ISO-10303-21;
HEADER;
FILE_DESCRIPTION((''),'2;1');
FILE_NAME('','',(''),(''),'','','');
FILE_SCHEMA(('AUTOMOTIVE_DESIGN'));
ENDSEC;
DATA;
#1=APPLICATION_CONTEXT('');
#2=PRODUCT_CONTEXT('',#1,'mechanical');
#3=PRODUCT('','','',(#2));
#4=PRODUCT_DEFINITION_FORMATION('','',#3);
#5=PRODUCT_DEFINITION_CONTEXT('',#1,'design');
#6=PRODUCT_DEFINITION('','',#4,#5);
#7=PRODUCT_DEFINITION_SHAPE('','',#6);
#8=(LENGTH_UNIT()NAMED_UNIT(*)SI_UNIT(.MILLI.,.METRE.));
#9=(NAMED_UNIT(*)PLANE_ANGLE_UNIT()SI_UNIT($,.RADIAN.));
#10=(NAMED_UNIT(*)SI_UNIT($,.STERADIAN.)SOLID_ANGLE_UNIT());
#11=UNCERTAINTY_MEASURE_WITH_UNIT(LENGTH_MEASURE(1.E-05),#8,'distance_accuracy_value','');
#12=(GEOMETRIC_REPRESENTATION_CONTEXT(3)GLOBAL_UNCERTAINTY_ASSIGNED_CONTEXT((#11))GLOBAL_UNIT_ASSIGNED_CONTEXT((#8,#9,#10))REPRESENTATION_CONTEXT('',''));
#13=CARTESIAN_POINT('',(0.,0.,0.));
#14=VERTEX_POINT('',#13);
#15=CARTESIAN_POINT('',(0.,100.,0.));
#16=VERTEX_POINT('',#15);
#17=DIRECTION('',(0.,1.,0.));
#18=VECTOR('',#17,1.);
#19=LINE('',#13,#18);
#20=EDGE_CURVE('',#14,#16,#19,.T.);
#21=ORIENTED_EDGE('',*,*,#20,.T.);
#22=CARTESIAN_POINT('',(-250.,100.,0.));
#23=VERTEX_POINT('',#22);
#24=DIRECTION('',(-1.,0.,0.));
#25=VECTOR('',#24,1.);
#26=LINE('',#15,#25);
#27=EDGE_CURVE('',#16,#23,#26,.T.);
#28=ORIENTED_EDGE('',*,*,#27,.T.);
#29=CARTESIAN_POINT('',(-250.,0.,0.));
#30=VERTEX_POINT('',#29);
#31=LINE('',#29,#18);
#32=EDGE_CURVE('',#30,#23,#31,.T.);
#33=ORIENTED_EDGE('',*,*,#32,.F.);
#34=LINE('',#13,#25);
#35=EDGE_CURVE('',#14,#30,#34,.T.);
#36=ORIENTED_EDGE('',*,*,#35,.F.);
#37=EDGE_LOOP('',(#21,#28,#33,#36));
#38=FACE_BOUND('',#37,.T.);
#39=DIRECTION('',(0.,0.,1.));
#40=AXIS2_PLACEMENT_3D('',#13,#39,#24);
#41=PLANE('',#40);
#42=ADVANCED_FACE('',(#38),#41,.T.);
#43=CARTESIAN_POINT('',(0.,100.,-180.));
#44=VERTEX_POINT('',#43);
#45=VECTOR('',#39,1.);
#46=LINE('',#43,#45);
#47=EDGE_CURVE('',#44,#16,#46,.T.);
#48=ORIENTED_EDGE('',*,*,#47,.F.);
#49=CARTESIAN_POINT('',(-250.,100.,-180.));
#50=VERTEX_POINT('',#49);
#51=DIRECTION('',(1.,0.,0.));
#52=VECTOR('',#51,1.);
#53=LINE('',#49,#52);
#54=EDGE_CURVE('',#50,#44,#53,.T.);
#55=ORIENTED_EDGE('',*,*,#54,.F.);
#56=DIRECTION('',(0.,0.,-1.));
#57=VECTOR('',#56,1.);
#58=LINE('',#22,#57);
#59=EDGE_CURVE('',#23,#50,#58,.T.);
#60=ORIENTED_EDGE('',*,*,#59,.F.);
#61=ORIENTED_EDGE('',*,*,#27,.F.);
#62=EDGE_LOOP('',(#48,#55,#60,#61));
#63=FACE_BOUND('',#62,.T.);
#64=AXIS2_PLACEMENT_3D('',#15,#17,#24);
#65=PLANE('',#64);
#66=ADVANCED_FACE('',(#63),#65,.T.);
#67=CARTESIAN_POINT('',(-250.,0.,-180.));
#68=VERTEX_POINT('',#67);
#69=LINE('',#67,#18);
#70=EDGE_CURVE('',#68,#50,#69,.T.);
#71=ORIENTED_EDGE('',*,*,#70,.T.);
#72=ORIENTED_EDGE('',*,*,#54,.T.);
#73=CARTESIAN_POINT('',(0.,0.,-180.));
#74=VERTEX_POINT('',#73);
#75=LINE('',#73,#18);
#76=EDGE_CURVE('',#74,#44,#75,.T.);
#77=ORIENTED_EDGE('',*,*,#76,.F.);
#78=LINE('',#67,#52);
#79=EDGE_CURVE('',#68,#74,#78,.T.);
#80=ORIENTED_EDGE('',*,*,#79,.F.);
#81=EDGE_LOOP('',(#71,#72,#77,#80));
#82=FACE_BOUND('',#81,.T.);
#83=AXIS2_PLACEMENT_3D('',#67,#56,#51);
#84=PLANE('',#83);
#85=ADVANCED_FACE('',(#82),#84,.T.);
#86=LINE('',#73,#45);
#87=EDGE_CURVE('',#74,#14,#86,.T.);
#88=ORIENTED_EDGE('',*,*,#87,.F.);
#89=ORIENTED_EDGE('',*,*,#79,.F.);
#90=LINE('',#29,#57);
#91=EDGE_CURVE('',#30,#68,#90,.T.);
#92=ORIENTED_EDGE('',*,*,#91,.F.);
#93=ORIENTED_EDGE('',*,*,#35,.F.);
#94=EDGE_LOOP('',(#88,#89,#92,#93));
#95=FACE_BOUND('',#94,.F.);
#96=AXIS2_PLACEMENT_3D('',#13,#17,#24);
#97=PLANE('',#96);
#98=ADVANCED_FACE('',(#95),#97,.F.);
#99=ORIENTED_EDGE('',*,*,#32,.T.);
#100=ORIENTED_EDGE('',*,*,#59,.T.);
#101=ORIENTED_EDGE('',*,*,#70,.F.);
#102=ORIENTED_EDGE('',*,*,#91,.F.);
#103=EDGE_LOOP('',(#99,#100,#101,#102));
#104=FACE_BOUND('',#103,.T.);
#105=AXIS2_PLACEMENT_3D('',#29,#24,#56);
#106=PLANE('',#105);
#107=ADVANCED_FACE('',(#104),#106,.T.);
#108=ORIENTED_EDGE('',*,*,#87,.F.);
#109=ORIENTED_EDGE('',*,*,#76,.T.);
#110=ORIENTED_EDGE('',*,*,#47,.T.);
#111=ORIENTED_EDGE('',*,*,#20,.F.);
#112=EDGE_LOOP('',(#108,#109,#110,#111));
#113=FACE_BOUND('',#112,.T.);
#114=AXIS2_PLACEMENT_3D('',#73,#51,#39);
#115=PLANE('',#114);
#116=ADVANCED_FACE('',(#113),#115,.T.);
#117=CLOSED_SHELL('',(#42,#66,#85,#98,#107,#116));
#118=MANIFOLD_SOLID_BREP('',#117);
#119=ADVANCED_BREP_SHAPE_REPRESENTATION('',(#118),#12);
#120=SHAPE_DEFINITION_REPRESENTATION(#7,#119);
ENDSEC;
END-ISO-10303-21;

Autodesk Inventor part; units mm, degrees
ref_plane "YZ Plane" through (0, 0, 0) normal (1, 0, 0) x (0, 1, 0)
ref_plane "XZ Plane" through (0, 0, 0) normal (0, 1, 0) x (-1, 0, 0)
ref_plane "XY Plane" through (0, 0, 0) normal (0, 0, 1) x (1, 0, 0)
sketch "Sketch1" plane through (0, 0, 0) normal (0, 1, 0) x (-1, 0, 0)
  line L0 (0, 0) -> (250, 0)
  line L1 (250, 0) -> (250, -180)
  line L2 (250, -180) -> (0, -180)
  line L3 (0, -180) -> (0, 0)
  dimension "d0" = 250
  dimension "d1" = 180
extrude "Extrusion1" add sketch "Sketch1" along normal blind 100
properties part number "Tủ điện"
